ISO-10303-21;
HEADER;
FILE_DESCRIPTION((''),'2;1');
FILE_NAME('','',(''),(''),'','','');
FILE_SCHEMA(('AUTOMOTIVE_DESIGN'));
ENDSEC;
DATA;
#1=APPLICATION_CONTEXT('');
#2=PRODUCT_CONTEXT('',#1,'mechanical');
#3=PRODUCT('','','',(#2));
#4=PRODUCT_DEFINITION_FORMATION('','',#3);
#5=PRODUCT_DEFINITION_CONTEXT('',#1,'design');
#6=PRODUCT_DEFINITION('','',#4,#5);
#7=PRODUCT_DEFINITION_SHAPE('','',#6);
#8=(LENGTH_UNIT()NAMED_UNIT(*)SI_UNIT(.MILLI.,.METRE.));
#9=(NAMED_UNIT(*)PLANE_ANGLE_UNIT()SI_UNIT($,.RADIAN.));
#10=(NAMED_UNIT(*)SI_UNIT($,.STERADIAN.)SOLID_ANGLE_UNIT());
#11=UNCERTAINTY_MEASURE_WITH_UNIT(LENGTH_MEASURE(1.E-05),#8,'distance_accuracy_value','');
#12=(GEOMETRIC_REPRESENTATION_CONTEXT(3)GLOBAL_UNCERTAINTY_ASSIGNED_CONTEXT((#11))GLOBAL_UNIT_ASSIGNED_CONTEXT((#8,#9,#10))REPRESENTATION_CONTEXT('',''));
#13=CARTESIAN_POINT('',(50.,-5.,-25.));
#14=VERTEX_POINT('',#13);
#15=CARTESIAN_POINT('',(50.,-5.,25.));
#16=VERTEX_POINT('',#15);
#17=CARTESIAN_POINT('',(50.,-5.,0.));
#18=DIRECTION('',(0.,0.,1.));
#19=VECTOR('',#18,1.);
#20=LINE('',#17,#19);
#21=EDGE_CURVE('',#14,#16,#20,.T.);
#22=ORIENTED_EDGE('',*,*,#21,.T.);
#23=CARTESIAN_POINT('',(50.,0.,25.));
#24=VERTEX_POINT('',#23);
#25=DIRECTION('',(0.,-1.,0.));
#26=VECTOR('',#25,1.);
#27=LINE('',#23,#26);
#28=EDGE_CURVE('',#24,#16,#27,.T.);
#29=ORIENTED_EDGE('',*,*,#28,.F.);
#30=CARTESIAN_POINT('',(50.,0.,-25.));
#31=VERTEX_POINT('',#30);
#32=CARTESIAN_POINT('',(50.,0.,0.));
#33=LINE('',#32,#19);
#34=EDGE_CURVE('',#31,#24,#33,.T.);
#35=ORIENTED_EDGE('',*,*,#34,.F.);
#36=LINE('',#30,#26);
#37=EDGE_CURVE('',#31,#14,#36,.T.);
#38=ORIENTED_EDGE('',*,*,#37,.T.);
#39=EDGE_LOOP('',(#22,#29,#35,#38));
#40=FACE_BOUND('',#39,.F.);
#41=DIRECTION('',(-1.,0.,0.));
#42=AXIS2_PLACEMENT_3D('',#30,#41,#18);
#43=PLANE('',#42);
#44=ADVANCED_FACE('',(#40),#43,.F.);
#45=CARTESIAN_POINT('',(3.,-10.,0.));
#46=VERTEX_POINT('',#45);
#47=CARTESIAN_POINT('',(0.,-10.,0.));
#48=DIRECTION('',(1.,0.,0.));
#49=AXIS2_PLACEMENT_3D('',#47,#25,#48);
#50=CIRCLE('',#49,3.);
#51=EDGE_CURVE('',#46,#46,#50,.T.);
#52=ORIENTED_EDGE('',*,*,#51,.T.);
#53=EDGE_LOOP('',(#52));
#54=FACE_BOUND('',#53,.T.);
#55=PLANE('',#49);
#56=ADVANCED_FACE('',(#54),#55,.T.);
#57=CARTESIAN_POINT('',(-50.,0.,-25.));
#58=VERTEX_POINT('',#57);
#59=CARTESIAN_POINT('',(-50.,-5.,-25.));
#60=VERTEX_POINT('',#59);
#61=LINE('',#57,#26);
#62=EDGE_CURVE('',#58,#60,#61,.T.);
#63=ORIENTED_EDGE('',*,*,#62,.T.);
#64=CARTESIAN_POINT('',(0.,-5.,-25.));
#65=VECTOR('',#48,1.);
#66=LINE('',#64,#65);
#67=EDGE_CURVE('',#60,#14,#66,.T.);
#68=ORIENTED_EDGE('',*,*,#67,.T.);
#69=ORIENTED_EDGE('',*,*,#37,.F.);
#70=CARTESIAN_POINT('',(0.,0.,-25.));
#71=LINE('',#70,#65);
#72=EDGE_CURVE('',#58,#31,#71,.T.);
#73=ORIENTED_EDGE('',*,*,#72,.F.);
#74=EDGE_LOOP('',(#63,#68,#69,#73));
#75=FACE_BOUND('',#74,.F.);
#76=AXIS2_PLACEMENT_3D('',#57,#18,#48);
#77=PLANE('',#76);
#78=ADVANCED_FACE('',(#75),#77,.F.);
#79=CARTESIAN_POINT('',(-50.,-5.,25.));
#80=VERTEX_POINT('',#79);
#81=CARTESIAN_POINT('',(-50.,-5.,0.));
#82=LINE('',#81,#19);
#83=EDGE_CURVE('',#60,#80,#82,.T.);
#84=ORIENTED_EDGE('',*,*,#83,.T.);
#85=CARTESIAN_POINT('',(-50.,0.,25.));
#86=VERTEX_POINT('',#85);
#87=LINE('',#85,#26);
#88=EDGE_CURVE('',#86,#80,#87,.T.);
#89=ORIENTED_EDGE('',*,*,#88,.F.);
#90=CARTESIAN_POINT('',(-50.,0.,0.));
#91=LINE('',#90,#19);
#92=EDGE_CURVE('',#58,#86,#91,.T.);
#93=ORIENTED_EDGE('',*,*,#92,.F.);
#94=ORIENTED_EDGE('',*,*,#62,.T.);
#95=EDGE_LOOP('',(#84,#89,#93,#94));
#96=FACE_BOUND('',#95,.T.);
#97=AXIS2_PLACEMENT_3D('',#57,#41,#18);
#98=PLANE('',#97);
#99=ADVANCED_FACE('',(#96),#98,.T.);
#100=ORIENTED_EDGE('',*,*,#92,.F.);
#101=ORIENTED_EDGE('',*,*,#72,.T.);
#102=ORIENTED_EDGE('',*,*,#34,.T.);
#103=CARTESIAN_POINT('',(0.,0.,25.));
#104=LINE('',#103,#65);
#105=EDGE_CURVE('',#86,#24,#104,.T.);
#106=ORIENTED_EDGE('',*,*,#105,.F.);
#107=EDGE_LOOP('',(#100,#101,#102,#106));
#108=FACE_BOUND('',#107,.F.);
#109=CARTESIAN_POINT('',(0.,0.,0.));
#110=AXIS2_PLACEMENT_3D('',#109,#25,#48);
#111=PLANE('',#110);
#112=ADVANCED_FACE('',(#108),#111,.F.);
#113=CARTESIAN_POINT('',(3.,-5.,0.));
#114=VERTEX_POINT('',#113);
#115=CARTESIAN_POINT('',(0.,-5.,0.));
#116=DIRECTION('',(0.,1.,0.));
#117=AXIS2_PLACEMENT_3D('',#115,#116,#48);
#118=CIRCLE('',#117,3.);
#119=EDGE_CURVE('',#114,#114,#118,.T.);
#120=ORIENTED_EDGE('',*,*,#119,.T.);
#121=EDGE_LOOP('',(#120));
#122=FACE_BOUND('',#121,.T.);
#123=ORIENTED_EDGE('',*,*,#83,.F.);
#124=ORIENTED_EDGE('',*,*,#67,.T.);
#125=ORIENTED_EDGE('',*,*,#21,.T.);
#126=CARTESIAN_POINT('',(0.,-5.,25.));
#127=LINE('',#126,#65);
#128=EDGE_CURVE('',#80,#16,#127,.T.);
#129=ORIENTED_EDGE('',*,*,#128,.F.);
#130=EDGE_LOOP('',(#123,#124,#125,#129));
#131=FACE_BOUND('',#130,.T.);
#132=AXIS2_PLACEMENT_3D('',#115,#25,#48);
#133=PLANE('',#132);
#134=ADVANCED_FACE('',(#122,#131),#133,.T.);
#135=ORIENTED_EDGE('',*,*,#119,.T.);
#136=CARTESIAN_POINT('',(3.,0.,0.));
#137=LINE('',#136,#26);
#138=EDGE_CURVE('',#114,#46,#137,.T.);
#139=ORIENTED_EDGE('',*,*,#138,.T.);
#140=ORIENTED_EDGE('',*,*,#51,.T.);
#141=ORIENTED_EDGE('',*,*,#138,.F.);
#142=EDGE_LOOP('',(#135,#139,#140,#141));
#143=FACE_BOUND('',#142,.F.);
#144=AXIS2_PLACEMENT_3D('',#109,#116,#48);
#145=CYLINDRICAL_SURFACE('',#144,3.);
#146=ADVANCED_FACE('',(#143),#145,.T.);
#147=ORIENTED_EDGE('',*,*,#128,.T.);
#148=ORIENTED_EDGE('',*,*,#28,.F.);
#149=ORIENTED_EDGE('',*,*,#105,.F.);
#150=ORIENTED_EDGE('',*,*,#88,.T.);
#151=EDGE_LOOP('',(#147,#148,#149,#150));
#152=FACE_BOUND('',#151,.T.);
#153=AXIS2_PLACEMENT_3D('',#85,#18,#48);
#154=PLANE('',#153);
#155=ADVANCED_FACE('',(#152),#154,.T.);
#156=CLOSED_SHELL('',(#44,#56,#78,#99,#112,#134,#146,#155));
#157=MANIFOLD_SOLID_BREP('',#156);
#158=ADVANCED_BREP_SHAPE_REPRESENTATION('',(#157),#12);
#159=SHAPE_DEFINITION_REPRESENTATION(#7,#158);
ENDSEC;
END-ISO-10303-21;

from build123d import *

# Parameters (mm, degrees)
F0_W     = 100
F0_H     = 50
F0_R     = 3
F1_DEPTH = 5
F2_DEPTH = 10


with BuildPart() as f1:
    # F0 (on Front) → F1 (new body)
    with BuildSketch(Plane.XZ):
        Rectangle(F0_W, F0_H)
        Circle(F0_R, mode=Mode.SUBTRACT)
        Circle(F0_R)
    extrude(amount=F1_DEPTH)

    # F0 (on Front) → F2 (join)
    with BuildSketch(Plane.XZ):
        Circle(F0_R)
    extrude(amount=F2_DEPTH)


solid = f1.part
